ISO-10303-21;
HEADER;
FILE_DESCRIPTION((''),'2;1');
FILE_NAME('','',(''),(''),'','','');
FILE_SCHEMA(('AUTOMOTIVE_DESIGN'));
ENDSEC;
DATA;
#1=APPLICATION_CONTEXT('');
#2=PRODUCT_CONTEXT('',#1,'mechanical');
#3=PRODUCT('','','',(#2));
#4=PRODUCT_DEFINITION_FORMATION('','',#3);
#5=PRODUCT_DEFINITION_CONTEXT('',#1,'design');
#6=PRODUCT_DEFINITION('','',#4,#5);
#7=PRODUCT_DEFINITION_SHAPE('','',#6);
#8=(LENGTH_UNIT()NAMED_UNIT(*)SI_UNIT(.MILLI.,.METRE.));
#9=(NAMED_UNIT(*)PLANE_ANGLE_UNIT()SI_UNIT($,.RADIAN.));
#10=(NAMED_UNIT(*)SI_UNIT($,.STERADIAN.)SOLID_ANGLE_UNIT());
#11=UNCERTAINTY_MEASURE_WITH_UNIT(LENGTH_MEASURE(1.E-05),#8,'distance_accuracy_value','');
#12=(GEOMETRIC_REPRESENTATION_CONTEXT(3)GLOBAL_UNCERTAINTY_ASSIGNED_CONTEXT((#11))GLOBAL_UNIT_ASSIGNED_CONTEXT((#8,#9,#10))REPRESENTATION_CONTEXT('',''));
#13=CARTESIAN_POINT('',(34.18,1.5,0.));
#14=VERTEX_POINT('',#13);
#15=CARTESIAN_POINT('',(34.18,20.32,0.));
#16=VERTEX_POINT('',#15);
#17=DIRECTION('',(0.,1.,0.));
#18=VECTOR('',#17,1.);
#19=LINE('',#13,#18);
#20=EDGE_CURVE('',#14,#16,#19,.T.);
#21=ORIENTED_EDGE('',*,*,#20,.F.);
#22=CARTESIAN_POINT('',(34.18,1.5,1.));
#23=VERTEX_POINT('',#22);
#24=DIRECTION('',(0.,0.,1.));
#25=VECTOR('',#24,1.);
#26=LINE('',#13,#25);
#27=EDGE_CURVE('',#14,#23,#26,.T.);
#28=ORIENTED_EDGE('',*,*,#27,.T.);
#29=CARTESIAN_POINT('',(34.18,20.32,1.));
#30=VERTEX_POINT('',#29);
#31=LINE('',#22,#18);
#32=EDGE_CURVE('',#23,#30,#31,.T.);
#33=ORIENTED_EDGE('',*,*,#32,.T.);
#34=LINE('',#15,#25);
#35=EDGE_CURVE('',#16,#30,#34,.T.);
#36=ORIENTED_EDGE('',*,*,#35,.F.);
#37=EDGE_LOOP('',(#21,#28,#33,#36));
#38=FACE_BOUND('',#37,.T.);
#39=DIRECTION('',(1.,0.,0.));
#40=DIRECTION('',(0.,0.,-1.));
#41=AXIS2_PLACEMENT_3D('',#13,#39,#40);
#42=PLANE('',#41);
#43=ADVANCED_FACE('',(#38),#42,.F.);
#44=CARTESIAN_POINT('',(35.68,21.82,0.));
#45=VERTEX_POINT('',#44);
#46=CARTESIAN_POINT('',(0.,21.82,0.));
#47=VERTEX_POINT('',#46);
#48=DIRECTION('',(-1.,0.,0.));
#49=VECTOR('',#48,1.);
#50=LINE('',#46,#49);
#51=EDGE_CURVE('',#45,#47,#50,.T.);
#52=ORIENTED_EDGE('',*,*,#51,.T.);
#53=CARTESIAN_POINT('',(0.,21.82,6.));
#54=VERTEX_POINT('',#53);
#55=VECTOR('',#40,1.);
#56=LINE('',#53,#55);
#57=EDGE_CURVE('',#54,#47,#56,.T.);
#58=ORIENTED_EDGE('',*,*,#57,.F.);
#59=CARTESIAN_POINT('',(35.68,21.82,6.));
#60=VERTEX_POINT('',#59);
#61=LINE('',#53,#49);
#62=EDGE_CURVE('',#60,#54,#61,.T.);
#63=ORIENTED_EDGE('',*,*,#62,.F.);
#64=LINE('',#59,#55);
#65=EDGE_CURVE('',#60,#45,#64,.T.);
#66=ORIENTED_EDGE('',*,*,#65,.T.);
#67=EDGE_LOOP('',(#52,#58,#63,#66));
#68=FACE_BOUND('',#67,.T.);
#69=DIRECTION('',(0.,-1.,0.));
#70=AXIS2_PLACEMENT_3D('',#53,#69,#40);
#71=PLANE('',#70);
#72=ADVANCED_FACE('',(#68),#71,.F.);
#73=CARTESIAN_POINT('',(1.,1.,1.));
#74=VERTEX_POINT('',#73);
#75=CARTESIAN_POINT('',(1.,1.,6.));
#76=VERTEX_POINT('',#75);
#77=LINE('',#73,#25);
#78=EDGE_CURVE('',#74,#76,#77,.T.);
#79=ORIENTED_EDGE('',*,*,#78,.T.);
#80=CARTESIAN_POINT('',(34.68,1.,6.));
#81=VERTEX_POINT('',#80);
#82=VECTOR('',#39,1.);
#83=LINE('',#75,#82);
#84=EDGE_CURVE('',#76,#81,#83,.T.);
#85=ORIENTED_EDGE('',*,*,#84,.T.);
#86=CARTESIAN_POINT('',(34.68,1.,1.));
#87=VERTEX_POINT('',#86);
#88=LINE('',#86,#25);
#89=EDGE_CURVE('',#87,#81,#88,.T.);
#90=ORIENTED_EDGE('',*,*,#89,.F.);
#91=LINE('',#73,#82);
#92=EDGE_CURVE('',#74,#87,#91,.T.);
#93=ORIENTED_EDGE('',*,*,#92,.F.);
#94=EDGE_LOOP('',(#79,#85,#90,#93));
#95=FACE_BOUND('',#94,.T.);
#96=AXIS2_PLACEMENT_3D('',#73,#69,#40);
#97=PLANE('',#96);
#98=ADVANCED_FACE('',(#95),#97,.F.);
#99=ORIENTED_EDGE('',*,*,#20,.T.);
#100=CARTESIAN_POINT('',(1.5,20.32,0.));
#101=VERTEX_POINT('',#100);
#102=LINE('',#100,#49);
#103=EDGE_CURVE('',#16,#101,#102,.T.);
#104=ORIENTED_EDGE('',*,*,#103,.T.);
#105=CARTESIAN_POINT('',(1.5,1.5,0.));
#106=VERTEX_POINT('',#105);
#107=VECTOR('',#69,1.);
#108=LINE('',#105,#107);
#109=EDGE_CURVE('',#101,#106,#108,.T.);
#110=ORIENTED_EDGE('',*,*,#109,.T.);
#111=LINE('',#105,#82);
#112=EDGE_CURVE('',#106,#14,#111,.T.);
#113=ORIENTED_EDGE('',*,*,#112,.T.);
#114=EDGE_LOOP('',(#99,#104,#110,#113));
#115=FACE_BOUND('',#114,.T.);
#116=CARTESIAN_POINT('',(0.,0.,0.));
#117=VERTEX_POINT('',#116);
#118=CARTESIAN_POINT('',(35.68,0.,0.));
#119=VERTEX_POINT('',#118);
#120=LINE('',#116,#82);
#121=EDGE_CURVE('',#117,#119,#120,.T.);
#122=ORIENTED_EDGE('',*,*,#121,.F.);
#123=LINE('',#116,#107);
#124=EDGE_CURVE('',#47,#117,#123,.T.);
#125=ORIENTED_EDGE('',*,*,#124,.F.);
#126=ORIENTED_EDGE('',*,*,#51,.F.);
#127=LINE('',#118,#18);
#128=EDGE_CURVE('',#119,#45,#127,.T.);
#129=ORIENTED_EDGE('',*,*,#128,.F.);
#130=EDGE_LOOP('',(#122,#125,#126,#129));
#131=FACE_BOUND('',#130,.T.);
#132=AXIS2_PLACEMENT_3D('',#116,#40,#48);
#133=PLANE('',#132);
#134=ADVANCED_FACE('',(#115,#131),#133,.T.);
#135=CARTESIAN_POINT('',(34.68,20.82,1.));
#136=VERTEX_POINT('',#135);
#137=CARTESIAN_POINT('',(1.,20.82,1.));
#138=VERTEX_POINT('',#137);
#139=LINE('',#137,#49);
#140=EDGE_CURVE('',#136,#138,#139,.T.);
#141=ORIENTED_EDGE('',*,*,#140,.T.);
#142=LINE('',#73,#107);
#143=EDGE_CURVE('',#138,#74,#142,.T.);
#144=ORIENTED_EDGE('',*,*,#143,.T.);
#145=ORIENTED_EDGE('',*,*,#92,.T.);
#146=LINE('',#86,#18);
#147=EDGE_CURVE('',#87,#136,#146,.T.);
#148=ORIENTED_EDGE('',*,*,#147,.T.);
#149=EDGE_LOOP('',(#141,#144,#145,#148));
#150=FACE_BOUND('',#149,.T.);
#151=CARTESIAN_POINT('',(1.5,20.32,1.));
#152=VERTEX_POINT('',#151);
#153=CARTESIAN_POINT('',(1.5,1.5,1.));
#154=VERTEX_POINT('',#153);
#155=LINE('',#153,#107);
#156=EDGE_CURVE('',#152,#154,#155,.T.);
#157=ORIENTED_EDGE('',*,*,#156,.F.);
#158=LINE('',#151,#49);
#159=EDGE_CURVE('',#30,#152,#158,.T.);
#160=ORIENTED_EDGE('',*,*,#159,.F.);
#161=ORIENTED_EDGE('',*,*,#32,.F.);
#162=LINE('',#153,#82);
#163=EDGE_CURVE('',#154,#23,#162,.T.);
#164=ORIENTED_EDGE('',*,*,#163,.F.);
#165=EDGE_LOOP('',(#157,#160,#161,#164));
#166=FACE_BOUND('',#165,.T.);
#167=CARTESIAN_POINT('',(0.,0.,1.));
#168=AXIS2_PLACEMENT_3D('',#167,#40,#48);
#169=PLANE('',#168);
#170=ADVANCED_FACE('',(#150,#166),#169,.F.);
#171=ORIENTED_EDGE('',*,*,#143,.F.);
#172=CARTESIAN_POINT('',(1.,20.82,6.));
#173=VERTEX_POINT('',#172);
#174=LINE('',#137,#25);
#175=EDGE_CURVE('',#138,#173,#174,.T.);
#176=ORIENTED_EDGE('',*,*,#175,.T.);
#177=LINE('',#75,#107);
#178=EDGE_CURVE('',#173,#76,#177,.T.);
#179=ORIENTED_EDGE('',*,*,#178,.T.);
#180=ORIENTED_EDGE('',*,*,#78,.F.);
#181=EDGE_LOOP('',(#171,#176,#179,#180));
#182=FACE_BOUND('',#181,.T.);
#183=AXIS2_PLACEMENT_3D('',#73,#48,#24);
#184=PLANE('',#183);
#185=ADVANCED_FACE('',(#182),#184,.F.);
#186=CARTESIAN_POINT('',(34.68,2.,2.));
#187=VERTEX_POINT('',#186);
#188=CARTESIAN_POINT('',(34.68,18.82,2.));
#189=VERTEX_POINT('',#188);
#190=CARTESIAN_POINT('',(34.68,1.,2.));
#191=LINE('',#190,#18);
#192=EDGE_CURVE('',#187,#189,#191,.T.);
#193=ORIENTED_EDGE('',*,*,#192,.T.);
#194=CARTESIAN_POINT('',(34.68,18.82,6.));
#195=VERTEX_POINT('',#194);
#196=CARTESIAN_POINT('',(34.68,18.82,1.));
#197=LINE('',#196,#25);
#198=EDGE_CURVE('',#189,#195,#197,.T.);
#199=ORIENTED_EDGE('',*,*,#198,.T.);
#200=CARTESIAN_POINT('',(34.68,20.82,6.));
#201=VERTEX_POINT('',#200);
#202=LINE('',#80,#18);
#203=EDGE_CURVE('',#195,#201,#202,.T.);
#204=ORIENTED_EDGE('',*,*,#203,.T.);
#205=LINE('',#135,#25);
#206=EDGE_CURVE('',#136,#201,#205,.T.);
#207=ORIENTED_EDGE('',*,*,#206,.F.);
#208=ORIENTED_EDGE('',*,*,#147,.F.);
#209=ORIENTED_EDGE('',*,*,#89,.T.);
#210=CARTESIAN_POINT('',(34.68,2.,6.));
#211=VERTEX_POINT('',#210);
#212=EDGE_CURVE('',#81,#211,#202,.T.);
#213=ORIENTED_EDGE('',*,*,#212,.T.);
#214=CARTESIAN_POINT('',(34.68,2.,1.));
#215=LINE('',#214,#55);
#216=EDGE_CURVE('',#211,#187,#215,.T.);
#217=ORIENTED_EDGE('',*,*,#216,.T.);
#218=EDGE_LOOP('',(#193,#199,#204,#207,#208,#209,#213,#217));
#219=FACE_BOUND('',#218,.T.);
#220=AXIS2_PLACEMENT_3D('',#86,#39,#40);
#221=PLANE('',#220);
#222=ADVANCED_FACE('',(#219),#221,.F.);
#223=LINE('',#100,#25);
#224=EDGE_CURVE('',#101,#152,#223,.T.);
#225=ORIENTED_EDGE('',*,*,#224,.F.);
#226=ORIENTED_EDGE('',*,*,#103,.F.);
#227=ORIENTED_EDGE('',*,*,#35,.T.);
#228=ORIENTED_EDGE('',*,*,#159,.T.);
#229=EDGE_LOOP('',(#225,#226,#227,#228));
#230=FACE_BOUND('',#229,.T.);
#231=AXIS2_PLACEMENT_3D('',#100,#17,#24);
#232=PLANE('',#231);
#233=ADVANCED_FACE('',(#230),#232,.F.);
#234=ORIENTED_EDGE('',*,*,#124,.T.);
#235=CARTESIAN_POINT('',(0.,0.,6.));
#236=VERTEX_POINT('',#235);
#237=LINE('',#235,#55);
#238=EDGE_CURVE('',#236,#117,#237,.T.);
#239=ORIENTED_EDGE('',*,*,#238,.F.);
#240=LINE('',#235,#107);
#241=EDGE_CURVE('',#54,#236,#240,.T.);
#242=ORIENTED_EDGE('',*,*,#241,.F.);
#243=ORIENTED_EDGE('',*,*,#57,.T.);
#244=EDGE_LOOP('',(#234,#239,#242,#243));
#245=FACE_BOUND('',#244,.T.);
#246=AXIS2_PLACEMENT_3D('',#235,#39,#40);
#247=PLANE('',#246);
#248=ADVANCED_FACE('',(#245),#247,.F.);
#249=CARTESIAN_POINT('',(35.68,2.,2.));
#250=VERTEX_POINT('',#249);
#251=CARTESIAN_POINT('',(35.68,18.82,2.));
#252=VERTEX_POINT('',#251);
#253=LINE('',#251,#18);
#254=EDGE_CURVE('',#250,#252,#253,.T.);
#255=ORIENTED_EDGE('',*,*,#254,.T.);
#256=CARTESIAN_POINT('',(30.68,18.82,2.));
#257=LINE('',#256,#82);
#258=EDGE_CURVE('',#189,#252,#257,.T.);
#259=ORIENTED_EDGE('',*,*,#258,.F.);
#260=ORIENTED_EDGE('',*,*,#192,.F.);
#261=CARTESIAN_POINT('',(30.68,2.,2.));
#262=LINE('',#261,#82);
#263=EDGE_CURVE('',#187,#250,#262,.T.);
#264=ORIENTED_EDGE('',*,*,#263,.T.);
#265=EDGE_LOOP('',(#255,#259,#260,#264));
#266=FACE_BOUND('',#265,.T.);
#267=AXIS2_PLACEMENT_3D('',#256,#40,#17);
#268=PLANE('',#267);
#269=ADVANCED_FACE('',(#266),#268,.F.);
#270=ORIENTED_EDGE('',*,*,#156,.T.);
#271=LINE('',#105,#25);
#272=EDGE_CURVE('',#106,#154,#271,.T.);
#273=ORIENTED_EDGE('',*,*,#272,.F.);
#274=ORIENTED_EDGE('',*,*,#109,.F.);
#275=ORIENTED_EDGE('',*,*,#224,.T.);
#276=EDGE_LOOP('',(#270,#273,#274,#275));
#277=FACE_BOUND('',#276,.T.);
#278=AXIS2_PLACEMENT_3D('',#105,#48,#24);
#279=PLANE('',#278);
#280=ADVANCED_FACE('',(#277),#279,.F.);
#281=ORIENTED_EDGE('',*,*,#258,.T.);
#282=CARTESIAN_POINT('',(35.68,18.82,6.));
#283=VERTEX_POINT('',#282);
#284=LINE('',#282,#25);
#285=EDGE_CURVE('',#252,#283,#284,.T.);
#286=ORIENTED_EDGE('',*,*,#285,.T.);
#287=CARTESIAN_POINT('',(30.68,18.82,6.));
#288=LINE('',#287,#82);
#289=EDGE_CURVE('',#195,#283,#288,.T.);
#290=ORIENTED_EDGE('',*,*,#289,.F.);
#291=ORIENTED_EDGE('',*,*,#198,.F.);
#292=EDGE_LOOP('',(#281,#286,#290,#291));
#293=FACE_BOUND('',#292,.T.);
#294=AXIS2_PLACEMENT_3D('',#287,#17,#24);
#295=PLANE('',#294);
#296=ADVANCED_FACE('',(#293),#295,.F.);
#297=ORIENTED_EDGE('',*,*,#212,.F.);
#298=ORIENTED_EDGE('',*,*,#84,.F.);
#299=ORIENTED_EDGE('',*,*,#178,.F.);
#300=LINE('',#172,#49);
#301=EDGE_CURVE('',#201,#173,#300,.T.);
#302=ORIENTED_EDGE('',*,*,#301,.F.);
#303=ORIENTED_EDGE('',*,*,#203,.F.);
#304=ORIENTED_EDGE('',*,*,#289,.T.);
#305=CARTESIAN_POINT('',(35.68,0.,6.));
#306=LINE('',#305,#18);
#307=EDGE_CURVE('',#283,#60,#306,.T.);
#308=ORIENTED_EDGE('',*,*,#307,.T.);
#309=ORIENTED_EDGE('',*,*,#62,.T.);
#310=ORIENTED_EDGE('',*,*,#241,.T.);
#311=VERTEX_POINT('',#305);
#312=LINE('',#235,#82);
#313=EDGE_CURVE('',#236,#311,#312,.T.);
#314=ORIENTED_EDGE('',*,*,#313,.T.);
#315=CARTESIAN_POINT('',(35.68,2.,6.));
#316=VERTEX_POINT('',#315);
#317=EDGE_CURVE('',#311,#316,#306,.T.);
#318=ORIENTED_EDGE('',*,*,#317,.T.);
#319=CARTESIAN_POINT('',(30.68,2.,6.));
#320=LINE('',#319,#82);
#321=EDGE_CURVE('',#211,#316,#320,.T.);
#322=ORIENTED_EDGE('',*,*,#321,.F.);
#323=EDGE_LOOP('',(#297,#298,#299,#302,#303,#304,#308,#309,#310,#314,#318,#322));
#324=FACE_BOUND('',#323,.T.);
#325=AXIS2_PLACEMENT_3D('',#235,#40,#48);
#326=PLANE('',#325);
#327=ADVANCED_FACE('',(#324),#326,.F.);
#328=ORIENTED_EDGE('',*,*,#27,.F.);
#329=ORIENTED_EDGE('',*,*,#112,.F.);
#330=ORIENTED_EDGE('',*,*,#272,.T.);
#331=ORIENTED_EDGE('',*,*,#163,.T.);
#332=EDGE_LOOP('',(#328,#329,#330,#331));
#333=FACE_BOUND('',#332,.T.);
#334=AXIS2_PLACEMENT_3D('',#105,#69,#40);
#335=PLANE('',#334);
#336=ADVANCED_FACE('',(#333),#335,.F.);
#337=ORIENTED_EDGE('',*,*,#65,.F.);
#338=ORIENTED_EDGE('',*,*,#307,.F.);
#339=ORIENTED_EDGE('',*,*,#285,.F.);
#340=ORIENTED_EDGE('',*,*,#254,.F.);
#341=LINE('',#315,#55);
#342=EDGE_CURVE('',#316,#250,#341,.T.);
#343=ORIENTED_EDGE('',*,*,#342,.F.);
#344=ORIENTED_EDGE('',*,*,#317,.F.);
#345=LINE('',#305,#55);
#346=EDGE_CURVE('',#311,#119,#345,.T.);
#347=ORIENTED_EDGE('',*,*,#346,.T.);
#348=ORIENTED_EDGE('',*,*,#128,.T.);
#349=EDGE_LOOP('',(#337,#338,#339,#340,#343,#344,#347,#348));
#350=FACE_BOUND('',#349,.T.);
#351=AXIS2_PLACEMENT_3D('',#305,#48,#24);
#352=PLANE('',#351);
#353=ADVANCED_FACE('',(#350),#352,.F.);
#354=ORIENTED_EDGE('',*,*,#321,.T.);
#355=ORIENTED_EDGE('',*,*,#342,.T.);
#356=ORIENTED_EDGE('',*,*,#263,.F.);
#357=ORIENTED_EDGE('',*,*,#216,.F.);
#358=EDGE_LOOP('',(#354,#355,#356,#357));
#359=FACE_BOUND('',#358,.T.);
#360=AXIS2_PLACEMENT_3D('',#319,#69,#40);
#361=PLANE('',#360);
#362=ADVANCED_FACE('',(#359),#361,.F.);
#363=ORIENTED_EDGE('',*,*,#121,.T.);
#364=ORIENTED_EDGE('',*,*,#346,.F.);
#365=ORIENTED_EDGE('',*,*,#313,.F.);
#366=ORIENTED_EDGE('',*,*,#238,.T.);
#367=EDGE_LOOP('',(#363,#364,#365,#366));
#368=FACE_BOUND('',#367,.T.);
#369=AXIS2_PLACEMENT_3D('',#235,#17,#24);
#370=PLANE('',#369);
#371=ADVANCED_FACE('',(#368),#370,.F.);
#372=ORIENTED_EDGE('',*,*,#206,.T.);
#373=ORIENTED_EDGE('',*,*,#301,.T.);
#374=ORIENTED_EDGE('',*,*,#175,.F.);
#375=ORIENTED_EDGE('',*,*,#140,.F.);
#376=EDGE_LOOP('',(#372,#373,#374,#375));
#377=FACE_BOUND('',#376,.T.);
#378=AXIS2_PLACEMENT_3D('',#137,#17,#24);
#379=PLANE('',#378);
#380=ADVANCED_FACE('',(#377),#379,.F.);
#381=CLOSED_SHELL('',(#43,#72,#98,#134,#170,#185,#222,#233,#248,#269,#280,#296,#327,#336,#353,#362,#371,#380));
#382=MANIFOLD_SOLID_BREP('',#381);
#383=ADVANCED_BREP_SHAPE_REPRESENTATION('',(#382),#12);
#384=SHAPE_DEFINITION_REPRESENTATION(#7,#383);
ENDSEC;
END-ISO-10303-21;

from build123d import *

# Parameters (mm, degrees)
ESQUISSE1_W             = 35.68
ESQUISSE1_H             = 21.82
BOSS_EXTRU_1_DEPTH      = 6
ESQUISSE2_W             = 33.68
ESQUISSE2_H             = 19.82
ENL_V_MAT_EXTRU_1_DEPTH = 5
ESQUISSE3_W             = 32.68
ESQUISSE3_H             = 18.82
ENL_V_MAT_EXTRU_2_DEPTH = 43.120954405
ESQUISSE4_W             = 4
ESQUISSE4_H             = 16.82
ENL_V_MAT_EXTRU_3_DEPTH = 5


with BuildPart() as part:
    # Esquisse1 → Boss.-Extru.1 (new body)
    with BuildSketch(Plane.XY):
        with Locations((17.84, 10.91)):
            Rectangle(ESQUISSE1_W, ESQUISSE1_H)
    extrude(amount=BOSS_EXTRU_1_DEPTH)

    # Esquisse2 → Enlèv. mat.-Extru.1 (cut)
    with BuildSketch(Plane.XY.offset(6)):
        with Locations((17.84, 10.91)):
            Rectangle(ESQUISSE2_W, ESQUISSE2_H)
    extrude(amount=-ENL_V_MAT_EXTRU_1_DEPTH, mode=Mode.SUBTRACT)

    # Esquisse3 → Enlèv. mat.-Extru.2 (cut, through all)
    with BuildSketch(Plane.XY.offset(1)):
        with Locations((17.84, 10.91)):
            Rectangle(ESQUISSE3_W, ESQUISSE3_H)
    extrude(amount=-ENL_V_MAT_EXTRU_2_DEPTH, mode=Mode.SUBTRACT)

    # Esquisse4 → Enlèv. mat.-Extru.3 (cut)
    with BuildSketch(Plane(origin=(35.68, 0, 0), x_dir=(0, 0, -1), z_dir=(1, 0, 0))):
        with Locations((-4, 10.41)):
            Rectangle(ESQUISSE4_W, ESQUISSE4_H)
    extrude(amount=-ENL_V_MAT_EXTRU_3_DEPTH, mode=Mode.SUBTRACT)


solid = part.part
